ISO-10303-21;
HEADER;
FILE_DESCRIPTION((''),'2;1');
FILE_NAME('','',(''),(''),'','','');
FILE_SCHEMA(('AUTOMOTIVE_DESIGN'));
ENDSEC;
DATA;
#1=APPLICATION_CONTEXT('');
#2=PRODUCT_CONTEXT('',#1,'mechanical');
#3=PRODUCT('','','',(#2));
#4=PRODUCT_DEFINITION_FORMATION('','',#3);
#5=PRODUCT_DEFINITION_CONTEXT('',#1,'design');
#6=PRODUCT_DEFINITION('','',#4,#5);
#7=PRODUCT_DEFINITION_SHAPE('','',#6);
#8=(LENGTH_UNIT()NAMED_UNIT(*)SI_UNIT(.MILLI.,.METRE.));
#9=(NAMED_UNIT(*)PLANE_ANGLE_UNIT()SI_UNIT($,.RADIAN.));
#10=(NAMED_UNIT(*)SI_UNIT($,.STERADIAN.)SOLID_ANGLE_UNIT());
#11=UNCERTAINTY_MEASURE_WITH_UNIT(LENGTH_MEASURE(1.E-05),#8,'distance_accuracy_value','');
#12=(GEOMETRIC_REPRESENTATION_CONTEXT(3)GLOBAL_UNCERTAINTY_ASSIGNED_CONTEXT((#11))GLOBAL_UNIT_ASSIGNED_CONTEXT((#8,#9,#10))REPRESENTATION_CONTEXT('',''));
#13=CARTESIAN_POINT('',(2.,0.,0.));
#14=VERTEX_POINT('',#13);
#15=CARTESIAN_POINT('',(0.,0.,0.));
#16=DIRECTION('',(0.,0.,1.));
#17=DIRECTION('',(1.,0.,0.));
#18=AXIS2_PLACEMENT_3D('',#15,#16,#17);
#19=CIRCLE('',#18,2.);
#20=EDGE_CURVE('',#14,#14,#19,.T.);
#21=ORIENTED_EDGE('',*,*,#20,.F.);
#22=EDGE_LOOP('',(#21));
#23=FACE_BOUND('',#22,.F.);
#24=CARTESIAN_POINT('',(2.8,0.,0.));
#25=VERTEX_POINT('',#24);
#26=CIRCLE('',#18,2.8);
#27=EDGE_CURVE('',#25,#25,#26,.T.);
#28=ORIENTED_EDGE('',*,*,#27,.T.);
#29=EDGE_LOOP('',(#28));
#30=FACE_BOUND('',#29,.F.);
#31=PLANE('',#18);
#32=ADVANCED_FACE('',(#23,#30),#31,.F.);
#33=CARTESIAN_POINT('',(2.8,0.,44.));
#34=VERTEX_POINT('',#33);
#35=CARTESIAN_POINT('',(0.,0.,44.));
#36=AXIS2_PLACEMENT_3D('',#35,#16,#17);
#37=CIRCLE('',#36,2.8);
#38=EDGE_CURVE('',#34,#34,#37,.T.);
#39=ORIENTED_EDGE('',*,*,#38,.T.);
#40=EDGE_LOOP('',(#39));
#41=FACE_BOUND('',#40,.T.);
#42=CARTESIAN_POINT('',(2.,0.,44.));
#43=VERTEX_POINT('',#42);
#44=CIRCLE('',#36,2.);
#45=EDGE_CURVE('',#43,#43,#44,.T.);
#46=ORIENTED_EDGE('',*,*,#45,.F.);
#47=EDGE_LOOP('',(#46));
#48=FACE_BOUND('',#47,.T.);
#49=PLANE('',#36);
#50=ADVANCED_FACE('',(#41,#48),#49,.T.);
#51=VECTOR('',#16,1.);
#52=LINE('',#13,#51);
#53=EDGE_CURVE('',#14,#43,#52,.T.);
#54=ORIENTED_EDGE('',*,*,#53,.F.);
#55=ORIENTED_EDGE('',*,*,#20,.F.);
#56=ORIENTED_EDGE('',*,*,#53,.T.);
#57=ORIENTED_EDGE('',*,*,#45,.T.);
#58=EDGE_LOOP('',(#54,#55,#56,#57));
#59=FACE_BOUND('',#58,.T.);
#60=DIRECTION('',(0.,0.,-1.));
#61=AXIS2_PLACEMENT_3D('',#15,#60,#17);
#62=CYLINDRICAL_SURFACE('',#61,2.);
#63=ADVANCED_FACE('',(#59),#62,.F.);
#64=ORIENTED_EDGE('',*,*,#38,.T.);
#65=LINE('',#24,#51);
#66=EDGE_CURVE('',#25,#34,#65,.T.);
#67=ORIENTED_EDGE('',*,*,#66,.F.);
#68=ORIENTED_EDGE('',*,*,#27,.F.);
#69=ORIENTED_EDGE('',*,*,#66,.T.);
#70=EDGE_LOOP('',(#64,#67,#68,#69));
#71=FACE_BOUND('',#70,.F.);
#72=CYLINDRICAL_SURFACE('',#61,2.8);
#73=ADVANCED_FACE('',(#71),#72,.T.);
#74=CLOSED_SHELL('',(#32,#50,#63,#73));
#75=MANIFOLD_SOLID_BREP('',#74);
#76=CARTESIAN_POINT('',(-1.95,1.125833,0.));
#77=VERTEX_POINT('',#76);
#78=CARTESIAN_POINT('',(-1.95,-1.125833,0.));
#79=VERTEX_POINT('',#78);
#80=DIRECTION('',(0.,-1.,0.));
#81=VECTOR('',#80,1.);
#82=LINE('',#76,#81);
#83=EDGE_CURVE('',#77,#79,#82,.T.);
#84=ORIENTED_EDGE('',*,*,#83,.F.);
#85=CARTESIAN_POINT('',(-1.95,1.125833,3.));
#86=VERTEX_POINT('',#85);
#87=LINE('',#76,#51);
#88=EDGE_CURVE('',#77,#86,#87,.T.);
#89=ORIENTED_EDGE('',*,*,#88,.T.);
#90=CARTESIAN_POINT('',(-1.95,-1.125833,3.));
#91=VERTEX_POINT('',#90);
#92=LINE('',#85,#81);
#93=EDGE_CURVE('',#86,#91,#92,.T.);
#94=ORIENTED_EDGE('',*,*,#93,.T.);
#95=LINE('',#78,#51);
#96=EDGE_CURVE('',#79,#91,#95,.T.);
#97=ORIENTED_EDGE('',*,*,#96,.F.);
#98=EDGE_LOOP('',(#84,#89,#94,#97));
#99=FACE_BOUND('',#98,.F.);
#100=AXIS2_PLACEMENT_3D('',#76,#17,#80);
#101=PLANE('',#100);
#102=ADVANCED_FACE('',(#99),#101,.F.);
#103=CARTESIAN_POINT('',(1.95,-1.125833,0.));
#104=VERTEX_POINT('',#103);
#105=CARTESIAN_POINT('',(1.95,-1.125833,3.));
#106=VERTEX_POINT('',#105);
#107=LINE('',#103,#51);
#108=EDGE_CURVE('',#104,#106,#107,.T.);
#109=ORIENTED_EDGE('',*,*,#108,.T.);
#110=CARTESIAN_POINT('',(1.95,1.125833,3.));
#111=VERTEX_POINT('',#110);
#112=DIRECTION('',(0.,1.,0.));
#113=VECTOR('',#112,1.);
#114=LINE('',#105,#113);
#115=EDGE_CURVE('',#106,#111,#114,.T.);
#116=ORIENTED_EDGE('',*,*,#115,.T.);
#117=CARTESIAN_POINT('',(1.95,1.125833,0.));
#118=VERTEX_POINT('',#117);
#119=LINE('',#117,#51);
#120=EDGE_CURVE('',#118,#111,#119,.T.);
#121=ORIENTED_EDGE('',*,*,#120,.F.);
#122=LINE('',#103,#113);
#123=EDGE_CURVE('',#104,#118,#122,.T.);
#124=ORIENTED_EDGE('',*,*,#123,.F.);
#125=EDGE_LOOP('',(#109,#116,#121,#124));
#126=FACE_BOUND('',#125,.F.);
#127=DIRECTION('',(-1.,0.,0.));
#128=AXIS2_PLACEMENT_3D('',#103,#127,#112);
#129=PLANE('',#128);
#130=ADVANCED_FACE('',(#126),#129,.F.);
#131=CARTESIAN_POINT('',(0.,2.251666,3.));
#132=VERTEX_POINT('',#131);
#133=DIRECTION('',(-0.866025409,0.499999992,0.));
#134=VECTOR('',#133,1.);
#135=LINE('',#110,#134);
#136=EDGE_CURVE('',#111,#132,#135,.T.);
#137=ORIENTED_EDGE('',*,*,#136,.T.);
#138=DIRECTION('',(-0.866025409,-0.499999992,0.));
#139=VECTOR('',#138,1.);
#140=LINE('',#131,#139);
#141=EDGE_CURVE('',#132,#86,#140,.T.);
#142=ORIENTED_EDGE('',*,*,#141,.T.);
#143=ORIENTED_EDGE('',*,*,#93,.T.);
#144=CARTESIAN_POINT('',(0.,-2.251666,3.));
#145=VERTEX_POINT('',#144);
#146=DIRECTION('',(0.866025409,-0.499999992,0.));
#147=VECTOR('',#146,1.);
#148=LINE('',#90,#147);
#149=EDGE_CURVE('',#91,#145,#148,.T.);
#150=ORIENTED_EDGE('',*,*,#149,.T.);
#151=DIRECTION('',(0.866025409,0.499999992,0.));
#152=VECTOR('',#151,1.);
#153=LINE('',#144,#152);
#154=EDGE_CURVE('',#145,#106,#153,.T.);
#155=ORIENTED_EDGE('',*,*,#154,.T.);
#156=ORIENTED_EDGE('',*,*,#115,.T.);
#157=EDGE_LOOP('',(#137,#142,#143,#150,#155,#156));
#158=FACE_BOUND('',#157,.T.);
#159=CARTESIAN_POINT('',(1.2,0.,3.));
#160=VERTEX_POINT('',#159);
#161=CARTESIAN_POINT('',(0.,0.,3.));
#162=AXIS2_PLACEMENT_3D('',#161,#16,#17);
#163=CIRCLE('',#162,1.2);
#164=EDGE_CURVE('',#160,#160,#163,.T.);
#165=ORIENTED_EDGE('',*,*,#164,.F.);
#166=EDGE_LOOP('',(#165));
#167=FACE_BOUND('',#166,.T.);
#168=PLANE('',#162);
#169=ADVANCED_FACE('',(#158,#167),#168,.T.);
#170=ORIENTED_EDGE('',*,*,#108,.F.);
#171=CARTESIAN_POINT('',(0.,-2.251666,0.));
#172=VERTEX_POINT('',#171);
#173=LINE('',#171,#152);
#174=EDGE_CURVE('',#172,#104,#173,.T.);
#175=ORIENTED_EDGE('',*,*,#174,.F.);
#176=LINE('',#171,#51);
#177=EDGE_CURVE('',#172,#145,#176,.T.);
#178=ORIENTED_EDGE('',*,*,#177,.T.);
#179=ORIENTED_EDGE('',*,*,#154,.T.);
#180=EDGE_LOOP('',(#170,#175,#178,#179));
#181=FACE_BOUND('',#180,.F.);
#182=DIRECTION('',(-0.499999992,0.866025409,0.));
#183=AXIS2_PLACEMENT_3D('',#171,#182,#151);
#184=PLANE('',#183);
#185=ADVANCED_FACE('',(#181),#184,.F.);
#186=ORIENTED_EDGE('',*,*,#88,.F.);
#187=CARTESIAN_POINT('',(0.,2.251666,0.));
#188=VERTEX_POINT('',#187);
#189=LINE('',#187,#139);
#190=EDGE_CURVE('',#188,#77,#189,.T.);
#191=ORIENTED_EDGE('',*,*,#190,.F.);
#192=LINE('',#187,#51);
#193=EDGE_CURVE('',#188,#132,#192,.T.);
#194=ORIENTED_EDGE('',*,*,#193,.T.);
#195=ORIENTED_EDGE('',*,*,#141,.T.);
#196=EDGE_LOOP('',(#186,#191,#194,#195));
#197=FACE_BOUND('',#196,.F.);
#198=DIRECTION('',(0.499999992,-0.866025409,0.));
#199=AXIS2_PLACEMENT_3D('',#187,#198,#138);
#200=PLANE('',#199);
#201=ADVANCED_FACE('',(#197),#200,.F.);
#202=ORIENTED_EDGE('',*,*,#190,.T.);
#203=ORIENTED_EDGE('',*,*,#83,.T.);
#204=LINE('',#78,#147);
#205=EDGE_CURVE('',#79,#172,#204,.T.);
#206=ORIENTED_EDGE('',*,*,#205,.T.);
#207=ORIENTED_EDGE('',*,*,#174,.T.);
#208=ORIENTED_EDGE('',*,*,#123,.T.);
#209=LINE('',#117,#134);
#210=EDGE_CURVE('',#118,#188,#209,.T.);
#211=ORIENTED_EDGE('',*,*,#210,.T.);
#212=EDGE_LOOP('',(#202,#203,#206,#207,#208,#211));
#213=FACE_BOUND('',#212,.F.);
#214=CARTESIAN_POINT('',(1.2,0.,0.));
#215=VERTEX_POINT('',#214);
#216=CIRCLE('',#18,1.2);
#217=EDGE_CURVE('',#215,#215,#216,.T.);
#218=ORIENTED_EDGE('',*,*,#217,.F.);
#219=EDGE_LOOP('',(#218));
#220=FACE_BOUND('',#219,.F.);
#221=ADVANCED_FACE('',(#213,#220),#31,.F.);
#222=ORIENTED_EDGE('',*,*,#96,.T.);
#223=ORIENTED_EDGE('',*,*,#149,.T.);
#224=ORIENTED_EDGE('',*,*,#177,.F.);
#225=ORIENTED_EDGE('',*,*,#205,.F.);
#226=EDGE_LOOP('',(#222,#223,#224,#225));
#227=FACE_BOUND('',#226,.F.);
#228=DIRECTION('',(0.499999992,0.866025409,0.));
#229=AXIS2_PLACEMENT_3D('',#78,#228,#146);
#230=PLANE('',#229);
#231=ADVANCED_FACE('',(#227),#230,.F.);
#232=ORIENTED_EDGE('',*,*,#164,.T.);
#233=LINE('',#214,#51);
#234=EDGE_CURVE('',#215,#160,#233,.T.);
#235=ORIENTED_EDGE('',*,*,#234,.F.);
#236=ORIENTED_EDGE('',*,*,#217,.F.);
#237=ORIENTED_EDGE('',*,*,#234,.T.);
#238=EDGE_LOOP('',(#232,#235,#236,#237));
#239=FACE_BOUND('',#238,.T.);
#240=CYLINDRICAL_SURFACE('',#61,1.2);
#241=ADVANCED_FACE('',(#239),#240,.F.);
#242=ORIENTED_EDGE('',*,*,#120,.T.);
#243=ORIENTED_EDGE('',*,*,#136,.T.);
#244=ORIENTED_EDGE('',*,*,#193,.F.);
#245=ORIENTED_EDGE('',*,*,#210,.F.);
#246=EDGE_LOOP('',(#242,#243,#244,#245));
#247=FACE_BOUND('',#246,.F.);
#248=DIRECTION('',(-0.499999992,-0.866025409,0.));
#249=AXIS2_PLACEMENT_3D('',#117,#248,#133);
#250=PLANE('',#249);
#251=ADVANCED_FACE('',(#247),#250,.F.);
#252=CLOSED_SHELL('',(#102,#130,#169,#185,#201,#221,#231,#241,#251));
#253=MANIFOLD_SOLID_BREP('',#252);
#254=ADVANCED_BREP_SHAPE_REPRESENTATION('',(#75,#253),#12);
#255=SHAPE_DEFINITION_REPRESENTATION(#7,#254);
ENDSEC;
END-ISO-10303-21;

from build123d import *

# Parameters (mm, degrees)
F0_R     = 1.2
F1_DEPTH = 3
F2_R     = 2.8
F2_R_2   = 2
F3_DEPTH = 44


with BuildPart() as f1:
    # F0 (on Top) → F1 (new body)
    with BuildSketch(Plane.XY):
        Polygon((1.95, -1.125833), (1.95, 1.125833), (0, 2.251666), (-1.95, 1.125833), (-1.95, -1.125833), (0, -2.251666), align=None)
        Circle(F0_R, mode=Mode.SUBTRACT)
    extrude(amount=F1_DEPTH)


with BuildPart() as f3:
    # F2 (on Top) → F3 (new body)
    with BuildSketch(Plane.XY):
        Circle(F2_R)
        Circle(F2_R_2, mode=Mode.SUBTRACT)
    extrude(amount=F3_DEPTH)


solid = Compound([f1.part, f3.part])
